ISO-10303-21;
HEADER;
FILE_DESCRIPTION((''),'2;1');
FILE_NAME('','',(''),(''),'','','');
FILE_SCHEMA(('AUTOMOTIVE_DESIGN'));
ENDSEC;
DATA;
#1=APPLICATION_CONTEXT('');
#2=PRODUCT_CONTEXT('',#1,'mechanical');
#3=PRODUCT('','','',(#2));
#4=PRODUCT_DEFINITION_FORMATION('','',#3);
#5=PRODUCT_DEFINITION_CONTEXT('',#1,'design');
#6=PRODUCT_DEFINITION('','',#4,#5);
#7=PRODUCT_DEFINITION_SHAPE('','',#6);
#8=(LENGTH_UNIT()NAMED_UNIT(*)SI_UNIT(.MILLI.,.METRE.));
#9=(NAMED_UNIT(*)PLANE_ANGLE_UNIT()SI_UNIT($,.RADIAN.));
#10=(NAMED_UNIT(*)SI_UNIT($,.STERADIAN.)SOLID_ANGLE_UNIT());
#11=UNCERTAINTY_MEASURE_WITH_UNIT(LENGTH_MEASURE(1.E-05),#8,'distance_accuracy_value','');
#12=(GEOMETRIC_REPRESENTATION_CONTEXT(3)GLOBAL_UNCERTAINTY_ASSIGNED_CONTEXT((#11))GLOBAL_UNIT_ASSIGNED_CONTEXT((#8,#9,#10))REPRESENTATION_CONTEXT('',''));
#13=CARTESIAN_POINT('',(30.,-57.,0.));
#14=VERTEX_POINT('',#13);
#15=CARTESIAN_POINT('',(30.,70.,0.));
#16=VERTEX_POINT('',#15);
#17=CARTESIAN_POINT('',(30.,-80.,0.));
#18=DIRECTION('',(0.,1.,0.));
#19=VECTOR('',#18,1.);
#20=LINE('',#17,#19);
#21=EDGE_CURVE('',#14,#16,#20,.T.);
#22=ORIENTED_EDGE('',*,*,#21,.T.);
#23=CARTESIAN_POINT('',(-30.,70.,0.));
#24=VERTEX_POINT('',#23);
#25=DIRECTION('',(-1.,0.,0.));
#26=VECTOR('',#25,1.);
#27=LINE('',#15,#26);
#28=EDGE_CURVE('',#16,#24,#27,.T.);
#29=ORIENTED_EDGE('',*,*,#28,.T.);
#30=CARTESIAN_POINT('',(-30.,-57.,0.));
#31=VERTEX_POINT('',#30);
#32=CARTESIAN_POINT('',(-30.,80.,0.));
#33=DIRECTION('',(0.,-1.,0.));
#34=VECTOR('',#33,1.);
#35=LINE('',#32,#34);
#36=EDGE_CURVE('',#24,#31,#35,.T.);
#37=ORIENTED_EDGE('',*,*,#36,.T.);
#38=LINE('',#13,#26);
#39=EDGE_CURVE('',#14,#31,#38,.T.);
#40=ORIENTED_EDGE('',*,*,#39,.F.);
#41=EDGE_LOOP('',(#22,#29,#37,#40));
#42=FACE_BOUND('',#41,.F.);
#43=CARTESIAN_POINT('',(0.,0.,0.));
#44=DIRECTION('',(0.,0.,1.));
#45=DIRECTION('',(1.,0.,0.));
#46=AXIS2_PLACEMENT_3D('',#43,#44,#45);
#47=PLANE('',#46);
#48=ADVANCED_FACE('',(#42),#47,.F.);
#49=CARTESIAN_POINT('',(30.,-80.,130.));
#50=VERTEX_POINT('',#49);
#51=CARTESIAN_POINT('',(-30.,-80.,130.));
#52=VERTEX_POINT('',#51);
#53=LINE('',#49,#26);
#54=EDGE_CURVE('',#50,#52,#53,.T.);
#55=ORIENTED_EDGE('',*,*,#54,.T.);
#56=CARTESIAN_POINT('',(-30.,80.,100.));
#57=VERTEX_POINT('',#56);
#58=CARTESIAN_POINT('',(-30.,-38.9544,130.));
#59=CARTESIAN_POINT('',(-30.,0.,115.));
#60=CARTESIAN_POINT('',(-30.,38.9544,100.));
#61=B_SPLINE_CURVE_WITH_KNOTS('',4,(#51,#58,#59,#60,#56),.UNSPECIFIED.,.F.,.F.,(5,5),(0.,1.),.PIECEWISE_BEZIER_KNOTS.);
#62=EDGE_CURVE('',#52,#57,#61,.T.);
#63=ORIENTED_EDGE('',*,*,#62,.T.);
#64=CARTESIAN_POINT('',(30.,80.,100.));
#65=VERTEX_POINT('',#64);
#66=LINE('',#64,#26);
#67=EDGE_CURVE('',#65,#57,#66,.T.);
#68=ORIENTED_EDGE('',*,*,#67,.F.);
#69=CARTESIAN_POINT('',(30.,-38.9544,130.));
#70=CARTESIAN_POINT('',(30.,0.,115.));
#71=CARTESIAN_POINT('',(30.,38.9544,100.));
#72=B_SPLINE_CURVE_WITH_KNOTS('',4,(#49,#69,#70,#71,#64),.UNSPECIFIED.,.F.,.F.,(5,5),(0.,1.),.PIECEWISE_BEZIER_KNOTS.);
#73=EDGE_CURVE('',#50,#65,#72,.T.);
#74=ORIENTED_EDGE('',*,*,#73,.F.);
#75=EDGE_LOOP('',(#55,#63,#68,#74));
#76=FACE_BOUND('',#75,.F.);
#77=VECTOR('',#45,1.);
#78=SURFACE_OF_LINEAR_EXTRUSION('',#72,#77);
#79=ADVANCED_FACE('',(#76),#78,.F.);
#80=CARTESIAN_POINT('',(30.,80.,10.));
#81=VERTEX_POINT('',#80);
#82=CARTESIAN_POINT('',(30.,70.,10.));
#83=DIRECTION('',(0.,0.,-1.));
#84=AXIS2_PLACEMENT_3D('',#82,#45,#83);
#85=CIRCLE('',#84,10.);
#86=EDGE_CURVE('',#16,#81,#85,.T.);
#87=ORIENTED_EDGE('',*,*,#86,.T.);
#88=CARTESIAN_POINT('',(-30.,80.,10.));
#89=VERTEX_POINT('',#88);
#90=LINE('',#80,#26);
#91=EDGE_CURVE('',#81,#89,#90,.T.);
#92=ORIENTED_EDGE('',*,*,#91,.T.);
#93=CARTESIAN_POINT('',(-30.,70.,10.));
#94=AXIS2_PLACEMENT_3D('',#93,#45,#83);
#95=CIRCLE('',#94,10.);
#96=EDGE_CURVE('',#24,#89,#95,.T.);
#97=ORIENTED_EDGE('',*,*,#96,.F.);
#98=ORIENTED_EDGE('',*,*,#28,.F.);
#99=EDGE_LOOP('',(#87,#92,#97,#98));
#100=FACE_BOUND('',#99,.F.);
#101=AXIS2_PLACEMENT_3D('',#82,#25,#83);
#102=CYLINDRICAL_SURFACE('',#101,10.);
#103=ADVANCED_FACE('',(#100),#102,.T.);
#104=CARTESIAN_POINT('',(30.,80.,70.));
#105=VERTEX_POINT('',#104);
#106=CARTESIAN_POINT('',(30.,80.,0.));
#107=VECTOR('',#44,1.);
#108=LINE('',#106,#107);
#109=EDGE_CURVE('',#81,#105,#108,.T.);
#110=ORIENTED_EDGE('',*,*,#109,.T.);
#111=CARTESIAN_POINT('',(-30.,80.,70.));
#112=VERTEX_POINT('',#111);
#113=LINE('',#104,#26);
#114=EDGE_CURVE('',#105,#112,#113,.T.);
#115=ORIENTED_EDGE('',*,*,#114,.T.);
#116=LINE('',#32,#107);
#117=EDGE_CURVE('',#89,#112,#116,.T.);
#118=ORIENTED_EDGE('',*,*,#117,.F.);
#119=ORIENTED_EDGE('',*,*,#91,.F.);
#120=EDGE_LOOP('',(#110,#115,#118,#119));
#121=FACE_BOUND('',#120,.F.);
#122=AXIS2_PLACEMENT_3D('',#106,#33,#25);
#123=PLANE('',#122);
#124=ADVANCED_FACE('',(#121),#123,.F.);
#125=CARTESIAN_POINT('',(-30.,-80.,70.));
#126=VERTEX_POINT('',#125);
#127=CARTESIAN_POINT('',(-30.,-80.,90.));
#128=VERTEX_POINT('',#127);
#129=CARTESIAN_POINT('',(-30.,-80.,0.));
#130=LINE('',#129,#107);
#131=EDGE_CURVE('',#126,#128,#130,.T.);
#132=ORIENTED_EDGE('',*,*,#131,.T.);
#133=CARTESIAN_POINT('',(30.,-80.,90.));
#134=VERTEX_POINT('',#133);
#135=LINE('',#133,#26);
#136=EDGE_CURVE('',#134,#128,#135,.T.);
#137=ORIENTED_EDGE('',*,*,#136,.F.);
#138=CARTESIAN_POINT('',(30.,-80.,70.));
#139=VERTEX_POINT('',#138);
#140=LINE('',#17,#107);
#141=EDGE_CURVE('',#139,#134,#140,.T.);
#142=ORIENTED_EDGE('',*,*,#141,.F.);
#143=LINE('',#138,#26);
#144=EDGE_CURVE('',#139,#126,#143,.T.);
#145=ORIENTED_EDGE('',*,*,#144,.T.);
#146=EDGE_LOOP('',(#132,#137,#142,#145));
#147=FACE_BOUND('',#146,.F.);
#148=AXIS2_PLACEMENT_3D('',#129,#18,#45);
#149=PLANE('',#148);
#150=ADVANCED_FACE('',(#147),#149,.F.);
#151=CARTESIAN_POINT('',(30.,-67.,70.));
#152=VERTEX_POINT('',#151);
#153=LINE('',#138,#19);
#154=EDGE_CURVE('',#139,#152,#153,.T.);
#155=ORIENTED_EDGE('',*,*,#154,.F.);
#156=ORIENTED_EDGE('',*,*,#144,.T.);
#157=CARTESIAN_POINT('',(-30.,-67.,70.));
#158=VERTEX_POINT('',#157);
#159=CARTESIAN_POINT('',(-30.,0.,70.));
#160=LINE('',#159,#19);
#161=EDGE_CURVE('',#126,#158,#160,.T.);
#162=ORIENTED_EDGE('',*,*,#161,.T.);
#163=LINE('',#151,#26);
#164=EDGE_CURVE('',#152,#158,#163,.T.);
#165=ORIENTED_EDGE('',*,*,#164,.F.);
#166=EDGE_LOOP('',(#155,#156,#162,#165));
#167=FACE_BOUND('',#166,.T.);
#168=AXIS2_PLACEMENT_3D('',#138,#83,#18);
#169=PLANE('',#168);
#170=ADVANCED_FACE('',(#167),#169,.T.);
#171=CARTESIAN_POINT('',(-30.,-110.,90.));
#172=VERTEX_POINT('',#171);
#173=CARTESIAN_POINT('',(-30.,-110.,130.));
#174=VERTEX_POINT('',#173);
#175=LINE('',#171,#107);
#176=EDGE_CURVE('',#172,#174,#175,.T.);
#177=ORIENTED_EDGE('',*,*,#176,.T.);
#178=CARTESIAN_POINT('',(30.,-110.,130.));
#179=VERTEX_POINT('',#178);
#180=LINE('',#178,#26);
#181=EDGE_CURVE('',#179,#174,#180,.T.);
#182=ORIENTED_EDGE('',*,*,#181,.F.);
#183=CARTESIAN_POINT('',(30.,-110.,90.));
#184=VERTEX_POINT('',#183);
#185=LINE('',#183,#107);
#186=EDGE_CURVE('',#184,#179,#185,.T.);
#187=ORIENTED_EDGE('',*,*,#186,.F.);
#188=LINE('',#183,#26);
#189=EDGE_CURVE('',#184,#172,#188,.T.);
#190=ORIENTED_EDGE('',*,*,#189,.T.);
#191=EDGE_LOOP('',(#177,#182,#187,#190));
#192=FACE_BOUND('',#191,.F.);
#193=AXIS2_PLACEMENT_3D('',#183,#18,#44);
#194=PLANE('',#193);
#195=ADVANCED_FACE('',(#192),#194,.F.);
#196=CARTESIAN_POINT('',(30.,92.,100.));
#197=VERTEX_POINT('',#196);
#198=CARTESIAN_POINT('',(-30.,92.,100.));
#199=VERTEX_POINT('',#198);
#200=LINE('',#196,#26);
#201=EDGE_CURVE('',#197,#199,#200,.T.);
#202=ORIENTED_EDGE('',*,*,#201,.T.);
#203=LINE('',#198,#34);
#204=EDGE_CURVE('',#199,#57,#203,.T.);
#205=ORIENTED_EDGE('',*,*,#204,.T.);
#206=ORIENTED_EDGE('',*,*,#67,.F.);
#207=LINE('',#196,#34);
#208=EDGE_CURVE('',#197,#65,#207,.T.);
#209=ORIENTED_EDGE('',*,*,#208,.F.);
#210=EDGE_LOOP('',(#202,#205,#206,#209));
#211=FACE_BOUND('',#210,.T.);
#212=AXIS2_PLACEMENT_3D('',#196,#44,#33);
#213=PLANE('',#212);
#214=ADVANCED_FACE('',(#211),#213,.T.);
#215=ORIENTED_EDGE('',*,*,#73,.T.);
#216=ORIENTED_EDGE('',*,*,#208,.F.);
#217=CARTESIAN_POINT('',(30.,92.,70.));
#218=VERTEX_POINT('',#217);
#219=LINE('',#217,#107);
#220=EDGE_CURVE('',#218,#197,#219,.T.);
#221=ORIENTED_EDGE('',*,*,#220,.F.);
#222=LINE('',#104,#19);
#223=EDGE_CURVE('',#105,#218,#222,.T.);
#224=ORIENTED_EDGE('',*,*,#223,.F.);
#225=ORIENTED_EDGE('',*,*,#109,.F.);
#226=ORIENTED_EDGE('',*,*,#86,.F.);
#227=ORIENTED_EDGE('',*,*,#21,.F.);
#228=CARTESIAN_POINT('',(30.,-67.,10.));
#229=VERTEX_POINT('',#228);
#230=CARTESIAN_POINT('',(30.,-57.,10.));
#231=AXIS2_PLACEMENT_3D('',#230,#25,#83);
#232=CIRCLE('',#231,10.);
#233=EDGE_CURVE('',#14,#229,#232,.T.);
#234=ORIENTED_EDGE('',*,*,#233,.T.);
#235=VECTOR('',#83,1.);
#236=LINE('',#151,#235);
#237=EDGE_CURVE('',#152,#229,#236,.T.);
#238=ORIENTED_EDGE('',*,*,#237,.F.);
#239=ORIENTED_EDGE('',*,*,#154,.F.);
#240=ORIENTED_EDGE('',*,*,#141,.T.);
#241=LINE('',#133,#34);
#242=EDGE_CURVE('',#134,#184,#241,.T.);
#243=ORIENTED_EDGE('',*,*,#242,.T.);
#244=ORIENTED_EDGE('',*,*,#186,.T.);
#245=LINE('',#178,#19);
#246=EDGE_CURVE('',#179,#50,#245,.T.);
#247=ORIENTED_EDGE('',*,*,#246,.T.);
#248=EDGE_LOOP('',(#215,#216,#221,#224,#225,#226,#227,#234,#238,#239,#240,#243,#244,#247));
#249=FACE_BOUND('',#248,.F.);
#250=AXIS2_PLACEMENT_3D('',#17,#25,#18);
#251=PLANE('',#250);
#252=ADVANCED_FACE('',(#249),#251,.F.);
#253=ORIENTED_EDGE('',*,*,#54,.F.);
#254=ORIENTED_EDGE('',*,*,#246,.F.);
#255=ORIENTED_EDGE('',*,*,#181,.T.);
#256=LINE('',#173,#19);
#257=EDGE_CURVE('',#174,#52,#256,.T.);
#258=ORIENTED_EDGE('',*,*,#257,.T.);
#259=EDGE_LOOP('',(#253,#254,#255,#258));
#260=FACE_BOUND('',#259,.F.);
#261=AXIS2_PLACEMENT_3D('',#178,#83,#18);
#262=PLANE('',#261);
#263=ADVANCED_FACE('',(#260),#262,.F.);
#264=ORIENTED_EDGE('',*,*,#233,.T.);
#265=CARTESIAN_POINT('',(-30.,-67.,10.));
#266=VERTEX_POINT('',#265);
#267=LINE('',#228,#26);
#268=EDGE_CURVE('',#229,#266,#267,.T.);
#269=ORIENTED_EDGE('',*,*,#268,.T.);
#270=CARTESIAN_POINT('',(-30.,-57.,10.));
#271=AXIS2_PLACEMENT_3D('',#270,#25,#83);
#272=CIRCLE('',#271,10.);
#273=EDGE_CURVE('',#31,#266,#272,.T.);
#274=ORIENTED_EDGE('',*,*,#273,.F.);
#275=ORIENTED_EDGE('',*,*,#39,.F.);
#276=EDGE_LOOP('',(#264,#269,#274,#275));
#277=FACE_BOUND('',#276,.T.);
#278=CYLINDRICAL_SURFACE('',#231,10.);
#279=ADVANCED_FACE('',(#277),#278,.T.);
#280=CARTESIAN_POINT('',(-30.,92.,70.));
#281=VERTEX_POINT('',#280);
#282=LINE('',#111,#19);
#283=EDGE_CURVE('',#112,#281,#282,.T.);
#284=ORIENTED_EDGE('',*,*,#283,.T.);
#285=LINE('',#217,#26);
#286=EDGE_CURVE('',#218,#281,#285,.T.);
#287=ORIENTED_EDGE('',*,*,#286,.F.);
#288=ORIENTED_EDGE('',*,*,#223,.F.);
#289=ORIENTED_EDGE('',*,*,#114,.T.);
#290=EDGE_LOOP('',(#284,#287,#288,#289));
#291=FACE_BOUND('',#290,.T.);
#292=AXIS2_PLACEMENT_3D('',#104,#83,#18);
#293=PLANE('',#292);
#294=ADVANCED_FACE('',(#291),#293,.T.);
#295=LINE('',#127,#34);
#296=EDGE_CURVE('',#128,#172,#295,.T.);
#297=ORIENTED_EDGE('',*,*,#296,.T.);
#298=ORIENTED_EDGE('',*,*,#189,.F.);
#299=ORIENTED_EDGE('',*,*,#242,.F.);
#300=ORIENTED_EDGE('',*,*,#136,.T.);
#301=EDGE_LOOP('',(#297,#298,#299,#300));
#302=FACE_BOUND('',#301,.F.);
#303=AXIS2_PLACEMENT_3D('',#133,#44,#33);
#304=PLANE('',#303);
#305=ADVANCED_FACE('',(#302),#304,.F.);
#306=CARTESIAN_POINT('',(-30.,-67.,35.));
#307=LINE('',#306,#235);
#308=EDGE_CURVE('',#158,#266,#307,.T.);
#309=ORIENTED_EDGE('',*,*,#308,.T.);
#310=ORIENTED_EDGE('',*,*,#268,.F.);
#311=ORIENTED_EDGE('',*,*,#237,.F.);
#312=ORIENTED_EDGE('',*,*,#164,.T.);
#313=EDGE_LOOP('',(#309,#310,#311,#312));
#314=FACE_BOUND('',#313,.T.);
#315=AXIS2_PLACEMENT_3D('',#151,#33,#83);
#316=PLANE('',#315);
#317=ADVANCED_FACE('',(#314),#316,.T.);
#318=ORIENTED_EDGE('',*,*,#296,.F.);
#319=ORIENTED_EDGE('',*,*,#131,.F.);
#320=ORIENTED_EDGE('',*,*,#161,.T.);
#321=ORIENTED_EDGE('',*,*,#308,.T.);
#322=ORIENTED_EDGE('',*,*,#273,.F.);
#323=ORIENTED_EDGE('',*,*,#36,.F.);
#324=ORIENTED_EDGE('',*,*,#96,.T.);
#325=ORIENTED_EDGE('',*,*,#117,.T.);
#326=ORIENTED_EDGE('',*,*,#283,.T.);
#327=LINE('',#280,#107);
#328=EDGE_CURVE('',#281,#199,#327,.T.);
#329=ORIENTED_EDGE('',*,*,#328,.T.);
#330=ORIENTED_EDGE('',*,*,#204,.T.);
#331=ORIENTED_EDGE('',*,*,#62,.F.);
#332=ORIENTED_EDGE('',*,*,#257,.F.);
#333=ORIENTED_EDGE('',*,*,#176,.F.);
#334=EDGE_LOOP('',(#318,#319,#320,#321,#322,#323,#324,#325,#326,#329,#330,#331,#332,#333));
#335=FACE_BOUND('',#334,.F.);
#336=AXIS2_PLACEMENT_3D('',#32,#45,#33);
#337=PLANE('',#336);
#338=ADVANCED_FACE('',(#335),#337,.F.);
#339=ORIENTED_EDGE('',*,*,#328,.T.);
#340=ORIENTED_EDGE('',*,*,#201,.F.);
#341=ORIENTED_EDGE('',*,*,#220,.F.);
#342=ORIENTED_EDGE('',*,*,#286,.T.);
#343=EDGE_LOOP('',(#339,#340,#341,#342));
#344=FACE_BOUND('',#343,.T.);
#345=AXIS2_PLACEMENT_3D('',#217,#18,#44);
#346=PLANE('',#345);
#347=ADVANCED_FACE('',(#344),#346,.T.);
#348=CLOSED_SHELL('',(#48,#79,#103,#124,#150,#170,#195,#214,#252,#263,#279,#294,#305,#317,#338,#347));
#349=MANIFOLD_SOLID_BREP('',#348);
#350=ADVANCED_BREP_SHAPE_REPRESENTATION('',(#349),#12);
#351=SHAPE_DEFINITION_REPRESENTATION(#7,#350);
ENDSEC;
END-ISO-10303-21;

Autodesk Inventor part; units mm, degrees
ref_plane "YZ Plane" through (0, 0, 0) normal (1, 0, 0) x (0, 1, 0)
ref_plane "XZ Plane" through (0, 0, 0) normal (0, 1, 0) x (-1, 0, 0)
ref_plane "XY Plane" through (0, 0, 0) normal (0, 0, 1) x (1, 0, 0)
sketch "Skizze1" plane through (0, 0, 0) normal (0, 0, 1) x (1, 0, 0)
  line L0 (-30, -80) -> (30, -80)
  line L1 (30, -80) -> (30, 80)
  line L2 (30, 80) -> (-30, 80)
  line L3 (-30, 80) -> (-30, -80)
  line L4 (-30, -80) -> (30, 80) construction
  line L5 (30, -80) -> (-30, 80) construction
  point P0 (0, 0)
  dimension "d0" = 60
  dimension "d1" = 160
extrude "Extrusion1" add sketch "Skizze1" along normal blind 100
sketch "Skizze2" plane through (30, -80, 0) normal (1, 0, 0) x (0, 0, -1)
  line L0 (-100, 160) -> (-100, 0) projected
  line L1 (0, 0) -> (-100, 0) projected
  line L2 (-100, 160) -> (-100, 0)
  line L3 (-100, 0) -> (-130, 0)
  spline S0 degree 4 poles (-130, 0) (-130, 41.0456) (-115, 80) (-100, 118.9544) (-100, 160) knots 0 0 0 0 0 1 1 1 1 1
  point P0 (0, 80)
  point P1 (-115, 80)
  point P2 (-100, 80)
  point P3 (-115, 0)
  dimension "d4" = 30
extrude "Extrusion2" add sketch "Skizze2" against normal up to surface (60 mm away)
sketch "Skizze5" plane through (30, -80, 0) normal (1, 0, 0) x (0, 0, -1)
  line L0 (0, 0) -> (-70, 0)
  line L1 (-70, 0) -> (-70, 13)
  line L2 (-70, 13) -> (0, 13)
  line L3 (0, 13) -> (0, 0)
  point P0 (0, 80)
  dimension "d15" = 70
  dimension "d16" = 13
extrude "Extrusion5" cut sketch "Skizze5" against normal through all
sketch "Skizze6" plane through (30, 80, 100) normal (1, 0, 0) x (0, 0, -1)
  line L0 (30, -160) -> (-30, -160) projected
  line L1 (10, -160) -> (10, -190)
  line L2 (10, -190) -> (-30, -190)
  line L3 (-30, -190) -> (-30, -160)
  line L4 (30, -160) -> (30, -147) projected
  line L5 (100, 0) -> (0, 0) projected
  line L6 (0, 0) -> (30, 0)
  line L7 (30, 0) -> (30, 12)
  line L8 (30, 12) -> (0, 12)
  line L9 (0, 12) -> (0, 0)
  point P0 (100, -80)
  point P1 (30, 0)
  dimension "d19" = 20
  dimension "d20" = 40
  dimension "d21" = 30
  dimension "d24" = 30
  dimension "d25" = 12
extrude "Extrusion6" add sketch "Skizze6" against normal up to surface (60 mm away)
fillet "Rundung1" radius 10 2 edges at (0, -67, 0) (0, 80, 0)
equation "\"G_L\" = 0"
equation "\"G_H\" = 0"
equation "\"G_B\" = 0"
properties part number "canopy" material "GEDA Polyamid schwarz"
